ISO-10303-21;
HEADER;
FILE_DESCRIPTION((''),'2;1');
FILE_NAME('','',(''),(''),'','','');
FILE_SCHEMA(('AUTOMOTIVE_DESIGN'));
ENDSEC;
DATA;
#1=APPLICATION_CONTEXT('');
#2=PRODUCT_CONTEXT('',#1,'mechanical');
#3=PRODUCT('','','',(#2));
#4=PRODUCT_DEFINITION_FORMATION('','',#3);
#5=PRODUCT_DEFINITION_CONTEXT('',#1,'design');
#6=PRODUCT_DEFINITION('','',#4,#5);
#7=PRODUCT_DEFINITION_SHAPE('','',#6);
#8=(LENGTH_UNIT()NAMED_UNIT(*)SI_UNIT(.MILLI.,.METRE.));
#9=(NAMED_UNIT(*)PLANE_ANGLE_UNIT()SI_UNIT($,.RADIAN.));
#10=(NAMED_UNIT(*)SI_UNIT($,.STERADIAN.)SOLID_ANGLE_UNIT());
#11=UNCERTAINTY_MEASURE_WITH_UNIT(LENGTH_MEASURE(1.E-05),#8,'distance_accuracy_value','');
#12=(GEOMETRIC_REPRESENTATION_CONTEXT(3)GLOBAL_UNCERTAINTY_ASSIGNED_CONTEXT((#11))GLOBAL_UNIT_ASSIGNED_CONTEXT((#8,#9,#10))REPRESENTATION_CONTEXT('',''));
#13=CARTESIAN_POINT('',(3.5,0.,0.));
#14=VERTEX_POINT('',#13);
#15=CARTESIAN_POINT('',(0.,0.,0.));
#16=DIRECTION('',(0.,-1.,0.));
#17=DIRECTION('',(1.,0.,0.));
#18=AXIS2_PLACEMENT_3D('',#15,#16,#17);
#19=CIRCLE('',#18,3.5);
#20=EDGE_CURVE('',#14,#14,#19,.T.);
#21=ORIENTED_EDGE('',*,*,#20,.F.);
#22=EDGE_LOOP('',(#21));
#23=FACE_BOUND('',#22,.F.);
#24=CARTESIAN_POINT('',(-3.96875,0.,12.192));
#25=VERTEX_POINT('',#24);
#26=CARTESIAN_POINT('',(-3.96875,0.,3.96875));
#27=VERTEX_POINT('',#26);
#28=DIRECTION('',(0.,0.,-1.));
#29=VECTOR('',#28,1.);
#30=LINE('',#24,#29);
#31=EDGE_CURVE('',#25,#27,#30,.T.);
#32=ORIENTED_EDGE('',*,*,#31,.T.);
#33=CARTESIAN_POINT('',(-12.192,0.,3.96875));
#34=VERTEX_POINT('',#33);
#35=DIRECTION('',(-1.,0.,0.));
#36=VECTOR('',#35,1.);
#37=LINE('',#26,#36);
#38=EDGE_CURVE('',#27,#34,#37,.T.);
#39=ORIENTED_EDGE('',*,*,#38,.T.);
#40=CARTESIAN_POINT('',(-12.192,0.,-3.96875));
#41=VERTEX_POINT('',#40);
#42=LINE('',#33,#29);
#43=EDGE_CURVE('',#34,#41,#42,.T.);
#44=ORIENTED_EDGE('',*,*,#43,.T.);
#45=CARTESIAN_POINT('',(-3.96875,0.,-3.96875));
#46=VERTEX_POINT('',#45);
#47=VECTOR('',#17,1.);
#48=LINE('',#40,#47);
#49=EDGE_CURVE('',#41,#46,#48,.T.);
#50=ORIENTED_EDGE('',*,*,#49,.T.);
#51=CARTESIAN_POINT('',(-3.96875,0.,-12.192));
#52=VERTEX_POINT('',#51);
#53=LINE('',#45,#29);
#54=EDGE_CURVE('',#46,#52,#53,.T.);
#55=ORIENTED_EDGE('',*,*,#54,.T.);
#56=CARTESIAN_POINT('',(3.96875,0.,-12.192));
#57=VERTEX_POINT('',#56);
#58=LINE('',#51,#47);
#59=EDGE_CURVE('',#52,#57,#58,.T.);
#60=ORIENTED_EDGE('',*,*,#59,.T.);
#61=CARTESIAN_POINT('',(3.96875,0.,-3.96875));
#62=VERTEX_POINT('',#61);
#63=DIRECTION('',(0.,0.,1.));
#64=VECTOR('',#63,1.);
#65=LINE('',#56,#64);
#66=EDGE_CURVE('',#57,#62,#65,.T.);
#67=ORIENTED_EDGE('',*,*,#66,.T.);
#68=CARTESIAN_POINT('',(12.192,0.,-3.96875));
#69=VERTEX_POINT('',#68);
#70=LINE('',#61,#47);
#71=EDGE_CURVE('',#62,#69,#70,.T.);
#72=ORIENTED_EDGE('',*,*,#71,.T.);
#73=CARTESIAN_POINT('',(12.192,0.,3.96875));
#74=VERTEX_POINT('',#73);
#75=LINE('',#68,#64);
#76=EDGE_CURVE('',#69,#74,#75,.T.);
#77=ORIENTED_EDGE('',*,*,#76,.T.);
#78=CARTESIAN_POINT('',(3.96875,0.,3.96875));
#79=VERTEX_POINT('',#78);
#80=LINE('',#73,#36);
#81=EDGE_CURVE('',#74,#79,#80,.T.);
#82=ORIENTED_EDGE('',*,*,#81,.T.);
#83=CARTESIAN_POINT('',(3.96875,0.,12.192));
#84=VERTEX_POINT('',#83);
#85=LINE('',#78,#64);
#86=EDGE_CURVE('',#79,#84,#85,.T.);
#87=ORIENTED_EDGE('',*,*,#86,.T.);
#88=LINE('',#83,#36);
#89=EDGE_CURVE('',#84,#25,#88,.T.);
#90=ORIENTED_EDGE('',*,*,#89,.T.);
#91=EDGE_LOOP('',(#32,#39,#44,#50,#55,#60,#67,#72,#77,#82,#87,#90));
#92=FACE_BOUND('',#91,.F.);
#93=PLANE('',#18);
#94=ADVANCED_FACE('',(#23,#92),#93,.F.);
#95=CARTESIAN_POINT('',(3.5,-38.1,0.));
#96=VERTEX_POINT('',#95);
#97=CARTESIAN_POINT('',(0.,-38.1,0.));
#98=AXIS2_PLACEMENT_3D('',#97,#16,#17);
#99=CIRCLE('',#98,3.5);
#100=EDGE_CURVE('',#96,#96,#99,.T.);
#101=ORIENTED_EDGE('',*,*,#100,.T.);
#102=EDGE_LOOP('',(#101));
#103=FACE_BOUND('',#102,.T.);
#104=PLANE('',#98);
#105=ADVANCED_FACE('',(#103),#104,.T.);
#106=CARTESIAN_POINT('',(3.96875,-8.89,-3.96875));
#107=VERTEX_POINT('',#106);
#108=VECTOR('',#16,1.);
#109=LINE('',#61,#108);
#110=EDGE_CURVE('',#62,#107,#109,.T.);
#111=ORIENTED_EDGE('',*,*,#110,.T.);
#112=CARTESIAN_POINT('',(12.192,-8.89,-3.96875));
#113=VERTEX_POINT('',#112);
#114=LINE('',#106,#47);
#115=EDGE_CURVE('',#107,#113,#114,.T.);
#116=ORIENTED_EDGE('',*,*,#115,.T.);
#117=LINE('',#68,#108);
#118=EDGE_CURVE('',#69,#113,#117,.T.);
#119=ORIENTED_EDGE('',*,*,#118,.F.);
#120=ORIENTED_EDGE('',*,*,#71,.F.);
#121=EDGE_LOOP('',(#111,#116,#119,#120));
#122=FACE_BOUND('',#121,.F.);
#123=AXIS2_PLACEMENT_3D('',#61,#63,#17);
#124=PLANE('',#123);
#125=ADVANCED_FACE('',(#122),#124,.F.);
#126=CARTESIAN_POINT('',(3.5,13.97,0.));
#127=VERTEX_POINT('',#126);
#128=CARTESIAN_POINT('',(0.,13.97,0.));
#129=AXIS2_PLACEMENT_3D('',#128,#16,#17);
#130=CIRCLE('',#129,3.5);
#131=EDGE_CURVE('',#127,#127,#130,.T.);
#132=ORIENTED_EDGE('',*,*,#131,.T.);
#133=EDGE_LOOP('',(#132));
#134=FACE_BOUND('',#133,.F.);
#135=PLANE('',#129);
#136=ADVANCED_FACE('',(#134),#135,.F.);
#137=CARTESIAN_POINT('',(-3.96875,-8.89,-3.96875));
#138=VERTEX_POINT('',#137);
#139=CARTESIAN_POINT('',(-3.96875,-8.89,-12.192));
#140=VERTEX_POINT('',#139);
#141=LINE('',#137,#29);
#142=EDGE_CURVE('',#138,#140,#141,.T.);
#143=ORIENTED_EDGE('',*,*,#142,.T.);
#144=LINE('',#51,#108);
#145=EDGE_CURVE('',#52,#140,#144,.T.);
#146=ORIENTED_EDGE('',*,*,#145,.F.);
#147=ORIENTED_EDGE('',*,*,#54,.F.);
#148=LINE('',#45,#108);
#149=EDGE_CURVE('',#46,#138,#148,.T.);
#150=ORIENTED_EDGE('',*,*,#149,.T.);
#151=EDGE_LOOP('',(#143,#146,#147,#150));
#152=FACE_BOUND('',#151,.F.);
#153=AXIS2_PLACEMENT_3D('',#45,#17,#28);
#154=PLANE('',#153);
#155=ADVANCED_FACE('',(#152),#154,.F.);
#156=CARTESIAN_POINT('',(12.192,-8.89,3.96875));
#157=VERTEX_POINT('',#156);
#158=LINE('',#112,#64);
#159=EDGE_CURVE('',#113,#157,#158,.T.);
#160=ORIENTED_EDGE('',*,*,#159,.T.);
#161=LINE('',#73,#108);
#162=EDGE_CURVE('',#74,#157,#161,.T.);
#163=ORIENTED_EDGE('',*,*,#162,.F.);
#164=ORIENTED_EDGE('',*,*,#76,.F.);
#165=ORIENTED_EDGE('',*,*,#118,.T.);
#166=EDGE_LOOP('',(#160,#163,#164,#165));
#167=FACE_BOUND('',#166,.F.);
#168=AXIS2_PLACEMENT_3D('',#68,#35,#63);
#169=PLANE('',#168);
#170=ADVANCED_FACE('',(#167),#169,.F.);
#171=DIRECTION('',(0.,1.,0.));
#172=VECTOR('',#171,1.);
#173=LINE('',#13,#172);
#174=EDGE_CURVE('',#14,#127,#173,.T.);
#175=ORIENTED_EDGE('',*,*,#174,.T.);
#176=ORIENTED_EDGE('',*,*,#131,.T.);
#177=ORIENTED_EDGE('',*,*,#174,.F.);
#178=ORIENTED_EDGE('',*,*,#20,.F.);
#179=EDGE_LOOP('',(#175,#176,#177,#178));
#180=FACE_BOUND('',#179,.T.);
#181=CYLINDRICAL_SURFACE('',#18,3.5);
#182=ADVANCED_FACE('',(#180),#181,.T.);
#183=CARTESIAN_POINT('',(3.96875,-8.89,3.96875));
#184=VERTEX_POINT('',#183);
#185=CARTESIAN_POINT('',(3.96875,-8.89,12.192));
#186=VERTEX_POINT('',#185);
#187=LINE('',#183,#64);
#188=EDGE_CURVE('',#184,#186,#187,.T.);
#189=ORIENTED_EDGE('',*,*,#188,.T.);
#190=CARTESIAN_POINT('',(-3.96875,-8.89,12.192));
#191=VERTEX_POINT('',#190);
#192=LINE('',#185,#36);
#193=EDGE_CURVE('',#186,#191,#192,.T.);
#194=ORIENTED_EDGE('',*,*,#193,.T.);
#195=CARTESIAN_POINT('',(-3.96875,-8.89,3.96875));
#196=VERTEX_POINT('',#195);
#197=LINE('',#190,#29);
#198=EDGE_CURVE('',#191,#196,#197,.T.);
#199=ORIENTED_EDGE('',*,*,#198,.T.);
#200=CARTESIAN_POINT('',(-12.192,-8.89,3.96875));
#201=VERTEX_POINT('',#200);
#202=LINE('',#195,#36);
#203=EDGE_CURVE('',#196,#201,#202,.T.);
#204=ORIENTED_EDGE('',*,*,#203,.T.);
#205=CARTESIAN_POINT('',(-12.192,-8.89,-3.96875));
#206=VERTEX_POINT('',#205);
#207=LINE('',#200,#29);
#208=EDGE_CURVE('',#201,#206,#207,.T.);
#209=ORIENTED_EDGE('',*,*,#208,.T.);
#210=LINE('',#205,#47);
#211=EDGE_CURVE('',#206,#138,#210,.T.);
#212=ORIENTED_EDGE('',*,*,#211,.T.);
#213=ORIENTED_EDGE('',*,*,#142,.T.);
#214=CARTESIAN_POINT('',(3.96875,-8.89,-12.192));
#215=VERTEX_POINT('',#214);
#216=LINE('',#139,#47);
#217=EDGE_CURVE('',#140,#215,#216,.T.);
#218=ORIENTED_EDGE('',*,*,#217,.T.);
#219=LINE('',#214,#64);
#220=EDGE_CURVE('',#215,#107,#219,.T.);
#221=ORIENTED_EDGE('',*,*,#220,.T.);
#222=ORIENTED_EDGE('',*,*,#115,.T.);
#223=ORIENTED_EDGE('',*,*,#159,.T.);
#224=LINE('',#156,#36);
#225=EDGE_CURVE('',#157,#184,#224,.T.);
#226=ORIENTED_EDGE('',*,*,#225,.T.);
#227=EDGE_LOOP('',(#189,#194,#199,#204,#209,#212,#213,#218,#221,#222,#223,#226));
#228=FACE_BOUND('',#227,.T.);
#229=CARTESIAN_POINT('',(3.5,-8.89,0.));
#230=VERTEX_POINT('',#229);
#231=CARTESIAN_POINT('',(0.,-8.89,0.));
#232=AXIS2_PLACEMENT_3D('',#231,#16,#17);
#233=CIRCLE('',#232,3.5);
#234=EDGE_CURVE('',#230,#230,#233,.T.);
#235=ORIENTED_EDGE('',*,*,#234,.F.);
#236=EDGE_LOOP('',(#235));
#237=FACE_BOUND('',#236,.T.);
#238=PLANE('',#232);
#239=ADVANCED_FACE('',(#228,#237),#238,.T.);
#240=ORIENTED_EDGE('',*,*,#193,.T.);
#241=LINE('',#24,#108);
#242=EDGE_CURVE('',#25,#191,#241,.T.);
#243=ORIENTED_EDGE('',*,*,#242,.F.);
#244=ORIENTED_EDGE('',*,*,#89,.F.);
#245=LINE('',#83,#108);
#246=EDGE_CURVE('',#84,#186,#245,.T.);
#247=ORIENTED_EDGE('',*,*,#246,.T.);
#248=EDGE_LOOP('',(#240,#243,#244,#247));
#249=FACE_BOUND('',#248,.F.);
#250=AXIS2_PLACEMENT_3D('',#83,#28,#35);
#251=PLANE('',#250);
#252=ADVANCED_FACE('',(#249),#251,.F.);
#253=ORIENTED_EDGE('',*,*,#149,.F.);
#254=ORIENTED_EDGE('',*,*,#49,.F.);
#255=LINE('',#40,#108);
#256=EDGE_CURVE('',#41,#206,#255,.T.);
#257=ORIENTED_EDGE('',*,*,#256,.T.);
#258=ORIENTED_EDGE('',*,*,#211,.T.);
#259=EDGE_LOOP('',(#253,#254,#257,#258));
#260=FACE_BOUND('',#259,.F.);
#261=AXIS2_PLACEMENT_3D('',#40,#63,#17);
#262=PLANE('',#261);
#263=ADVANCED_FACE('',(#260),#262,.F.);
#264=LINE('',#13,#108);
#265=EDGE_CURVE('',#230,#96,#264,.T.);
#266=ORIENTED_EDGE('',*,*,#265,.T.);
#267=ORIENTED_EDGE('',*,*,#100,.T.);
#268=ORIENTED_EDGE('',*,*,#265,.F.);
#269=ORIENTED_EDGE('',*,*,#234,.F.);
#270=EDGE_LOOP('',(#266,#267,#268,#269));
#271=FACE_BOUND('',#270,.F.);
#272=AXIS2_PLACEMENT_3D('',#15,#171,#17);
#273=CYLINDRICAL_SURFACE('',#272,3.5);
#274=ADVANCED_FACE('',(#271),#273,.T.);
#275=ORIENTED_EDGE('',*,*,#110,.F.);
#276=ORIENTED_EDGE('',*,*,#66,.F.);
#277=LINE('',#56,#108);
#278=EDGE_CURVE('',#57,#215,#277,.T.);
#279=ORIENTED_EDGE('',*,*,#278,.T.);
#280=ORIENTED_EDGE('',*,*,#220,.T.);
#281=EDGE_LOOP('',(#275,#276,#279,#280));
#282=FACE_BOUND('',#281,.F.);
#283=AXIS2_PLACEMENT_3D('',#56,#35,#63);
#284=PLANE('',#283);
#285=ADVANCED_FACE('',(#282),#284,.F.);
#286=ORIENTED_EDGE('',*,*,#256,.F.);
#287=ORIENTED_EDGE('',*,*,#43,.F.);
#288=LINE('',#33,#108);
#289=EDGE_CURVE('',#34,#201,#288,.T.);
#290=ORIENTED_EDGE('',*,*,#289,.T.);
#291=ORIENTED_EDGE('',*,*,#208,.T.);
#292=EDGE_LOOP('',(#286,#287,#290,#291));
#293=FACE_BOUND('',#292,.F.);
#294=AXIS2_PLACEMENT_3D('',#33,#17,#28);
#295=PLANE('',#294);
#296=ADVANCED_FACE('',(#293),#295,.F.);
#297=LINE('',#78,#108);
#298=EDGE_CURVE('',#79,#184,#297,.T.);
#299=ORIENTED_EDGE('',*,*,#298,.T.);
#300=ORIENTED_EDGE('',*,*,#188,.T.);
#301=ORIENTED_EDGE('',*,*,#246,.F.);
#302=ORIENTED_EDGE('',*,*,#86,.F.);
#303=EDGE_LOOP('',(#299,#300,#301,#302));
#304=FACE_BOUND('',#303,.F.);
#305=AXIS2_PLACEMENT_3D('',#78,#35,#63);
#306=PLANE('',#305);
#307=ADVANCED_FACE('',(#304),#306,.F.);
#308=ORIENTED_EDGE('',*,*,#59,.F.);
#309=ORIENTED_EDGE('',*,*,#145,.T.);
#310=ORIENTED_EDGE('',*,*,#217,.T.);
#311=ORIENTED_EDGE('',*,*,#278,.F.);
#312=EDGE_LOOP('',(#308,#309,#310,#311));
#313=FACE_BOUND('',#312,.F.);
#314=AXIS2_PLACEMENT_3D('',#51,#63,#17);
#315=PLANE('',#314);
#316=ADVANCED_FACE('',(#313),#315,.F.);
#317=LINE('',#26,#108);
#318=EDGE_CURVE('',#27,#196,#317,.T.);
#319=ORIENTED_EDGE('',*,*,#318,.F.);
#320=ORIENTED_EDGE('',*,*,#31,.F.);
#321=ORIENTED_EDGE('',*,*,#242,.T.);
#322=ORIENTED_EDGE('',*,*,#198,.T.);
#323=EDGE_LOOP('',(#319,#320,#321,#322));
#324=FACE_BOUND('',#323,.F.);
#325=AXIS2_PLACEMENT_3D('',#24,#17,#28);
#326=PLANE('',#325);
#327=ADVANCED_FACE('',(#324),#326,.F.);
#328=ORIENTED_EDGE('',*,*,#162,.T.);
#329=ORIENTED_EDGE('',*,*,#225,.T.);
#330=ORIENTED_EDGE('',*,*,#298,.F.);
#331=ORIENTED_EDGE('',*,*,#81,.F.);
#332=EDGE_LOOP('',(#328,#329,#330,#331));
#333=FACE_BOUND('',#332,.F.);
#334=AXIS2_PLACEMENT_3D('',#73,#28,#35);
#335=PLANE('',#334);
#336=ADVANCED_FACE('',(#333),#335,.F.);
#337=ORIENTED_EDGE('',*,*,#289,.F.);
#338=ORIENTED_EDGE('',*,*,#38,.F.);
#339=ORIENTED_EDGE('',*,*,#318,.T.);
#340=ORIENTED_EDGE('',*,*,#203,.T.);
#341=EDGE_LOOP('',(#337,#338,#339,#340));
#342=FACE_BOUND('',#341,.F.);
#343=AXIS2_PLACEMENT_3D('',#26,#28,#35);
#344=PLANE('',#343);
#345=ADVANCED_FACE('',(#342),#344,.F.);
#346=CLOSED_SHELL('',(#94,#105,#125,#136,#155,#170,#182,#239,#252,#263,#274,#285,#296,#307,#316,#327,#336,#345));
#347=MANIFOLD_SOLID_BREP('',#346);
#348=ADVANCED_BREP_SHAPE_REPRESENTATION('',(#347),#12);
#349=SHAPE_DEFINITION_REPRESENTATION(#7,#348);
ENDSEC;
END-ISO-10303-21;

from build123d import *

# Parameters (mm, degrees)
F0_R     = 3.5
F1_DEPTH = 8.89
F2_DEPTH = 38.1
F3_DEPTH = 13.97


with BuildPart() as f1:
    # F0 (on Front) → F1 (new body)
    with BuildSketch(Plane.XZ):
        Polygon((12.192, -3.96875), (12.192, 3.96875), (3.96875, 3.96875), (3.96875, 12.192), (-3.96875, 12.192), (-3.96875, 3.96875), (-12.192, 3.96875), (-12.192, -3.96875), (-3.96875, -3.96875), (-3.96875, -12.192), (3.96875, -12.192), (3.96875, -3.96875), align=None)
        Circle(F0_R, mode=Mode.SUBTRACT)
    extrude(amount=F1_DEPTH)

    # F0 (on Front) → F2 (join)
    with BuildSketch(Plane.XZ):
        Circle(F0_R)
    extrude(amount=F2_DEPTH)

    # F0 (on Front) → F3 (join)
    with BuildSketch(Plane.XZ):
        Circle(F0_R)
    extrude(amount=-F3_DEPTH)


solid = f1.part
